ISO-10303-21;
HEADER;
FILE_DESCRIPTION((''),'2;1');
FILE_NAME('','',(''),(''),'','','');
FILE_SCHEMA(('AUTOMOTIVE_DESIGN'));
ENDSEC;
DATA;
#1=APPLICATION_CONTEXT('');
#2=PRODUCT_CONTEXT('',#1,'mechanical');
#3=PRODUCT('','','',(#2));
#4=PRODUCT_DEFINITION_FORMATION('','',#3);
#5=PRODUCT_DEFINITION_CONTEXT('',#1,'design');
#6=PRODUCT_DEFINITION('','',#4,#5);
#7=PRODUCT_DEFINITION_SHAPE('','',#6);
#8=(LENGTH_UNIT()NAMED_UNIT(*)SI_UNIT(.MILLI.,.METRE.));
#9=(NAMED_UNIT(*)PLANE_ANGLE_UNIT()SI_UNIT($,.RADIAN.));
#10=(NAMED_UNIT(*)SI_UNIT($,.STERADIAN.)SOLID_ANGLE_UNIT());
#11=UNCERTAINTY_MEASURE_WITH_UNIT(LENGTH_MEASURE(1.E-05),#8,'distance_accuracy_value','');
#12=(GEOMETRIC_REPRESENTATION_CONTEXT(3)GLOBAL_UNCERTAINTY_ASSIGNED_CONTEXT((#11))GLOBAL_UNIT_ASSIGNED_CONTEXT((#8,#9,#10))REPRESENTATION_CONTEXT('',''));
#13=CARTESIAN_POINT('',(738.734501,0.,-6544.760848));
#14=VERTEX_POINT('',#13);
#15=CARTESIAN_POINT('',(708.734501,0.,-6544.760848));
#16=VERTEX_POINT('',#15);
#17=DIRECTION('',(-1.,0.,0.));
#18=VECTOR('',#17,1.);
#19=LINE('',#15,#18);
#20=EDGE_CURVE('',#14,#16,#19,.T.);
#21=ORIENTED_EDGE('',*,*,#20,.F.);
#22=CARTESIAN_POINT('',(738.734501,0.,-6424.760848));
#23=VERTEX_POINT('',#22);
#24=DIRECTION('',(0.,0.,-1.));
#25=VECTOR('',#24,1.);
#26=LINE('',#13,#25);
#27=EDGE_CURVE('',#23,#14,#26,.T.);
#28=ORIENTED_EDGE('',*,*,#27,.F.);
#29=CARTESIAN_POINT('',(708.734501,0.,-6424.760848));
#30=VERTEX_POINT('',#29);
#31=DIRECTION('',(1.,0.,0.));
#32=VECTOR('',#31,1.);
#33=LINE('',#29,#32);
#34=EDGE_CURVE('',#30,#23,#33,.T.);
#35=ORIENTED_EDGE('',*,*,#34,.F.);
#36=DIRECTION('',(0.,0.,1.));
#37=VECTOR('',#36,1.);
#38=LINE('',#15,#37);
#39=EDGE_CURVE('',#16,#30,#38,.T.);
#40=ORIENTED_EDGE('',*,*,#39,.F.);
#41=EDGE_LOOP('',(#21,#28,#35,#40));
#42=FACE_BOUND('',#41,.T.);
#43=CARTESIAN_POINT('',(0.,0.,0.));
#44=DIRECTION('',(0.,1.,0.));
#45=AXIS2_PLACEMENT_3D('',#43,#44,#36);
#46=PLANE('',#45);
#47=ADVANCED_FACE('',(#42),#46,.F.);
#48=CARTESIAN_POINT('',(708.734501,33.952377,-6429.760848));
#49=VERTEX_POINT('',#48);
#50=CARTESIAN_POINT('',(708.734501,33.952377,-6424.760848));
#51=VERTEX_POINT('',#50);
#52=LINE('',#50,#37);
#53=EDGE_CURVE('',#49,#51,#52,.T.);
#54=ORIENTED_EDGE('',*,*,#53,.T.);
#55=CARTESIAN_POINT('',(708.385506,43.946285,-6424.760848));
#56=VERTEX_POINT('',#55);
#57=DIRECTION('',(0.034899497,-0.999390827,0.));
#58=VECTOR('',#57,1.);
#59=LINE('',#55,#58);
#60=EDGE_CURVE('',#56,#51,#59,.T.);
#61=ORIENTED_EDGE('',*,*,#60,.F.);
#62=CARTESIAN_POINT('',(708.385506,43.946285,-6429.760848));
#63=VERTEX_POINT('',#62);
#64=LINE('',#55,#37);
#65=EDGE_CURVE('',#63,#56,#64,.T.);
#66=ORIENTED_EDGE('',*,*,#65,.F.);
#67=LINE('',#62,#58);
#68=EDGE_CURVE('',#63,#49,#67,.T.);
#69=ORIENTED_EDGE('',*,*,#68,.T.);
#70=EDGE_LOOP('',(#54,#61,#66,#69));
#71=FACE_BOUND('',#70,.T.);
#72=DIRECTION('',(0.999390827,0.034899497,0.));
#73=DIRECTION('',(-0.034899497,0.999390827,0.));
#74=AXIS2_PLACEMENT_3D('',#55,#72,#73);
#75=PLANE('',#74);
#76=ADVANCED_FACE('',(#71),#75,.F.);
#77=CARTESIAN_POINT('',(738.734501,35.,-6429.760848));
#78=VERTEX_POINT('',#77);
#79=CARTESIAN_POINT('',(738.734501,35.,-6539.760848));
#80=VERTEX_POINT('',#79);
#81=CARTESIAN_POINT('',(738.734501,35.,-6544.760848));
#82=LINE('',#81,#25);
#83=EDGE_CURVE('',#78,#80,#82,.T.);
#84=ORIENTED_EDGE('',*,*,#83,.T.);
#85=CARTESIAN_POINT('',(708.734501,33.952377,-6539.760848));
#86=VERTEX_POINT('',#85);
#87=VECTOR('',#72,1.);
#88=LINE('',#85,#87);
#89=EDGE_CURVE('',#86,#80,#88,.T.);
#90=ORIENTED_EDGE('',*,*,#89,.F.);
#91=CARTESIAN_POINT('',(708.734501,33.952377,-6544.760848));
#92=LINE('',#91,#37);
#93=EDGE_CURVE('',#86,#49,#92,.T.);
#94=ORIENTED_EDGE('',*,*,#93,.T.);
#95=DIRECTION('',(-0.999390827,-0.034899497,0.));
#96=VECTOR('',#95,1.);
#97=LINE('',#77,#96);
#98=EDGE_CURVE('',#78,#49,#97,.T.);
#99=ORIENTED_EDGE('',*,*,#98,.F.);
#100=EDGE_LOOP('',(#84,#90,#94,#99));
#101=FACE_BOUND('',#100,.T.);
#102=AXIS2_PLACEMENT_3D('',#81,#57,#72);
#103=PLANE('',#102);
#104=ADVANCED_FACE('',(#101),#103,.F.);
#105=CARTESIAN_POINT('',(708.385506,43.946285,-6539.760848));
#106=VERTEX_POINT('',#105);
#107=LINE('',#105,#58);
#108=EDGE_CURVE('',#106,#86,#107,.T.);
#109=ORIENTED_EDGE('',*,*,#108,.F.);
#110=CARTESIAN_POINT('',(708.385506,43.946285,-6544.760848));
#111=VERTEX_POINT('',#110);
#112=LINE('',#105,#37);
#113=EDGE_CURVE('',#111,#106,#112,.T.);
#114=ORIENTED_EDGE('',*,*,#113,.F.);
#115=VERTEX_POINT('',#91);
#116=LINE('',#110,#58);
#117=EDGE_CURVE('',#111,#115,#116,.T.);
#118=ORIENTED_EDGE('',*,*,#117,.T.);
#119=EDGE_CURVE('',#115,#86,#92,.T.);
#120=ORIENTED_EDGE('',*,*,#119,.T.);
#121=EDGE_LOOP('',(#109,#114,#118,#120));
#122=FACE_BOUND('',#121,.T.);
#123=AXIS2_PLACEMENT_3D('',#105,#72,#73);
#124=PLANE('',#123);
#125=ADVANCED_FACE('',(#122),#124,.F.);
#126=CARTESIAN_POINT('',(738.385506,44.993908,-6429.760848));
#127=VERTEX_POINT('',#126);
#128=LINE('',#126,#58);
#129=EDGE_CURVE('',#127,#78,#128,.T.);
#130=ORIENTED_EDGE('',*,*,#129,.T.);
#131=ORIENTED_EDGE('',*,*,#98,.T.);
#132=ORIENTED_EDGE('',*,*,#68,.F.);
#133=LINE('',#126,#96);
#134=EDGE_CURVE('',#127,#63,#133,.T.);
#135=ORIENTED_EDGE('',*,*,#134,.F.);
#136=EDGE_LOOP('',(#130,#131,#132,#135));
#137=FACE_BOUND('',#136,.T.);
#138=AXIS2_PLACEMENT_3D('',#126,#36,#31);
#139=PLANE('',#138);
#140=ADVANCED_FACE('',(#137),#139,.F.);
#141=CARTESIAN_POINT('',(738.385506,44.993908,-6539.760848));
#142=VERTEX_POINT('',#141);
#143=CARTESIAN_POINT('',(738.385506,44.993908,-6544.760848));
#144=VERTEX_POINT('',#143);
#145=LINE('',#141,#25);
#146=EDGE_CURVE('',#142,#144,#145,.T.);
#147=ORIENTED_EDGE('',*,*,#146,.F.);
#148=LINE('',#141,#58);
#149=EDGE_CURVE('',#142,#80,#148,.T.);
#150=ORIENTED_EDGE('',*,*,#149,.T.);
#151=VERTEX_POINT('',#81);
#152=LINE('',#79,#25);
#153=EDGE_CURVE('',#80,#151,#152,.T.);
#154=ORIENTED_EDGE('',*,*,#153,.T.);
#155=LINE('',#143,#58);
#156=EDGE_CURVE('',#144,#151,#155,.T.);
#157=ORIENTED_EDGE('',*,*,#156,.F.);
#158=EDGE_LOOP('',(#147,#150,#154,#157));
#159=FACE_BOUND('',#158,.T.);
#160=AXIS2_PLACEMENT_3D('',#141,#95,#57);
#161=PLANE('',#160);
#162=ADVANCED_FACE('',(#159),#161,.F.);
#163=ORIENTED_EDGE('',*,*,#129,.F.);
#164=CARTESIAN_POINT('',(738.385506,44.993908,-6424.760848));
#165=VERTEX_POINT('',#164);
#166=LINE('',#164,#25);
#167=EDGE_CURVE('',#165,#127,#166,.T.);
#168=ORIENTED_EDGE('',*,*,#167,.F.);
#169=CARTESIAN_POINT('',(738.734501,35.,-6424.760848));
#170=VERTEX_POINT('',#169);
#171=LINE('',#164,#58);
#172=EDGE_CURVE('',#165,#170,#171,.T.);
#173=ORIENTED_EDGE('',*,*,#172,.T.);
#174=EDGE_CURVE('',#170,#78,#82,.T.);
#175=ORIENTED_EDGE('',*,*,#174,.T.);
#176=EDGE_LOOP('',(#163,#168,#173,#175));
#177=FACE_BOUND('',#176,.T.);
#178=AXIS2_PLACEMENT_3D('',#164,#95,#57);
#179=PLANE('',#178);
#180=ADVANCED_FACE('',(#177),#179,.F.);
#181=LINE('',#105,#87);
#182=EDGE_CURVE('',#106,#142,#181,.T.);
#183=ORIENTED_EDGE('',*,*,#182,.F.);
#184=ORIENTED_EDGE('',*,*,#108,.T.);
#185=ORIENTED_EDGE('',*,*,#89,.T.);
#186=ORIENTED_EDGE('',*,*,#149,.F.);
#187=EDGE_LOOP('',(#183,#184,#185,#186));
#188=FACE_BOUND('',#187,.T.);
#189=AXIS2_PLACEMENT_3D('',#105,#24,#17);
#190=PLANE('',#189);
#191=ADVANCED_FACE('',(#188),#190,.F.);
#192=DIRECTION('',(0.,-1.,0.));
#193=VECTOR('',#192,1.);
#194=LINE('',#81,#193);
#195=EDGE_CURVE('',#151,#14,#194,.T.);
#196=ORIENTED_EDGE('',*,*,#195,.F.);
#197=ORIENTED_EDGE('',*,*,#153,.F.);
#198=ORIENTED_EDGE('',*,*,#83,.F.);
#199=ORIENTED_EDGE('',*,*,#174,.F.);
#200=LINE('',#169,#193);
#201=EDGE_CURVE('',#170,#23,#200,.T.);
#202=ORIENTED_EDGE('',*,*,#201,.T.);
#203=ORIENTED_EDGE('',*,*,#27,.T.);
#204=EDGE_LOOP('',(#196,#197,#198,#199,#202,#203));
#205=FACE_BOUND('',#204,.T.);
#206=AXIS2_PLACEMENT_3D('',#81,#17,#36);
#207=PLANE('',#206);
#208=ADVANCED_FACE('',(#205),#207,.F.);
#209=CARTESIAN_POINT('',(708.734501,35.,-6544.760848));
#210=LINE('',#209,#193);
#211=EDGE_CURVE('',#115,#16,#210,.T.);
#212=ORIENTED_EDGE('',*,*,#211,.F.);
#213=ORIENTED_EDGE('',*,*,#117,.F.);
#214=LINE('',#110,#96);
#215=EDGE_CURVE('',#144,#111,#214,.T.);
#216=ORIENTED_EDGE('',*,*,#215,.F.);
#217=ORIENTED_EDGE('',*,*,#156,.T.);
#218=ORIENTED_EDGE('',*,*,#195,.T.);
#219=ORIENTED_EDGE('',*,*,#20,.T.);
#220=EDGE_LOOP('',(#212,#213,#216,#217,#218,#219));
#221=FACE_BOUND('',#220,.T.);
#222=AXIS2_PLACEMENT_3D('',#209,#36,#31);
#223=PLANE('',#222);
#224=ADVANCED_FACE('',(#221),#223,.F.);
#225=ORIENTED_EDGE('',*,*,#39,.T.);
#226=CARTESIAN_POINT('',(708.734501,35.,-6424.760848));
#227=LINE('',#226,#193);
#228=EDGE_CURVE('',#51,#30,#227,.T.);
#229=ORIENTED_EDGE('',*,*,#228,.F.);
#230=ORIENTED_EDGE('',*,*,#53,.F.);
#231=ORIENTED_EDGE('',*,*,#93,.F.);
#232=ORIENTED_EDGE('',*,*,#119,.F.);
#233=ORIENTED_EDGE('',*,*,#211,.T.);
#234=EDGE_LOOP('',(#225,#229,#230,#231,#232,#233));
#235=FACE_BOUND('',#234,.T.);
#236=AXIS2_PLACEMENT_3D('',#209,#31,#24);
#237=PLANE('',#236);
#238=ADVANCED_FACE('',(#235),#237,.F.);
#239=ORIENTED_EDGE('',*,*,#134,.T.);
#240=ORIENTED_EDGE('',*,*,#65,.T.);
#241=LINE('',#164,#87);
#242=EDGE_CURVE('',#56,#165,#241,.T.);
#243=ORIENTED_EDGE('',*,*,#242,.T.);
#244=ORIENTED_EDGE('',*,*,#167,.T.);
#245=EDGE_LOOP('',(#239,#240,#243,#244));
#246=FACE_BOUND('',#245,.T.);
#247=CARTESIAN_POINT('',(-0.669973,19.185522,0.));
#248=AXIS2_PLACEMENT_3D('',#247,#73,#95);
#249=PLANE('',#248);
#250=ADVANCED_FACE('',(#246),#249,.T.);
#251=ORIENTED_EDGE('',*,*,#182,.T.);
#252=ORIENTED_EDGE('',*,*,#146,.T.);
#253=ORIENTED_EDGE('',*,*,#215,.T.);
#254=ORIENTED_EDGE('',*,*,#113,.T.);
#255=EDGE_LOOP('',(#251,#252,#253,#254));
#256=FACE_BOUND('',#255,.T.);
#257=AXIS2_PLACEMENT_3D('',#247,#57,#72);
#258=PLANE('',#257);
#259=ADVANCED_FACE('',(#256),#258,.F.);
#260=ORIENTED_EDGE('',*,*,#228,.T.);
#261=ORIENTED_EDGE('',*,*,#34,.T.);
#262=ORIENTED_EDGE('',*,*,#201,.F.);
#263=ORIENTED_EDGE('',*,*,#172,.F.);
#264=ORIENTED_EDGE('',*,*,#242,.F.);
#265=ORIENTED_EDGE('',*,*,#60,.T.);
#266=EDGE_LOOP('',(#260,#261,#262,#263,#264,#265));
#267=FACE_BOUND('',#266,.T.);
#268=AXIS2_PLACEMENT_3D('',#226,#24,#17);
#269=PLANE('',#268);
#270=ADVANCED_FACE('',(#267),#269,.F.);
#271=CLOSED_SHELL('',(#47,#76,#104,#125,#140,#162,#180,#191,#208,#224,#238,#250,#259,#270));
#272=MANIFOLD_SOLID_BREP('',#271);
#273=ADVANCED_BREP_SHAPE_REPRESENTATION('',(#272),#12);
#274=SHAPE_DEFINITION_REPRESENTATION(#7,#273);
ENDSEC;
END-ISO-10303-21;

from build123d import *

# Parameters (mm, degrees)
SKETCH_1_W          = 30
SKETCH_1_H          = 120
EXTRUDE_1_DEPTH     = 35
CUT_EXTRUDE_1_DEPTH = 750.235385976
SKETCH_4_W          = 30.018286329
SKETCH_4_H          = 5
EXTRUDE_2_DEPTH     = 10


with BuildPart() as part:
    # Эскиз1 → Бобышка-Вытянуть1 (new body)
    with BuildSketch(Plane(origin=(708.734501427, 0, -6544.760847934), x_dir=(1, 0, 0), z_dir=(0, 1, 0))):
        with Locations((15, -60)):
            Rectangle(SKETCH_1_W, SKETCH_1_H)
    extrude(amount=EXTRUDE_1_DEPTH)

    # Эскиз3 → Вырез-Вытянуть1 (cut, through all)
    with BuildSketch(Plane.XY.offset(-6424.760847934)):
        Polygon((738.734501427, 35), (708.734501427, 33.952376915), (708.734501427, 35), align=None)
    extrude(amount=-CUT_EXTRUDE_1_DEPTH, mode=Mode.SUBTRACT)

    # Эскиз4 → Бобышка-Вытянуть2 (add)
    with BuildSketch(Plane(origin=(-0.320978232, 9.191613953, 0), x_dir=(0.9993908270190961, 0.03489949670249378, 0), z_dir=(-0.03489949670249378, 0.9993908270190961, 0))):
        with Locations((724.496823549, 6542.260847934)):
            Rectangle(SKETCH_4_W, SKETCH_4_H)
        with Locations((724.496823549, 6427.260847934)):
            Rectangle(SKETCH_4_W, SKETCH_4_H)
    extrude(amount=EXTRUDE_2_DEPTH)


solid = part.part
